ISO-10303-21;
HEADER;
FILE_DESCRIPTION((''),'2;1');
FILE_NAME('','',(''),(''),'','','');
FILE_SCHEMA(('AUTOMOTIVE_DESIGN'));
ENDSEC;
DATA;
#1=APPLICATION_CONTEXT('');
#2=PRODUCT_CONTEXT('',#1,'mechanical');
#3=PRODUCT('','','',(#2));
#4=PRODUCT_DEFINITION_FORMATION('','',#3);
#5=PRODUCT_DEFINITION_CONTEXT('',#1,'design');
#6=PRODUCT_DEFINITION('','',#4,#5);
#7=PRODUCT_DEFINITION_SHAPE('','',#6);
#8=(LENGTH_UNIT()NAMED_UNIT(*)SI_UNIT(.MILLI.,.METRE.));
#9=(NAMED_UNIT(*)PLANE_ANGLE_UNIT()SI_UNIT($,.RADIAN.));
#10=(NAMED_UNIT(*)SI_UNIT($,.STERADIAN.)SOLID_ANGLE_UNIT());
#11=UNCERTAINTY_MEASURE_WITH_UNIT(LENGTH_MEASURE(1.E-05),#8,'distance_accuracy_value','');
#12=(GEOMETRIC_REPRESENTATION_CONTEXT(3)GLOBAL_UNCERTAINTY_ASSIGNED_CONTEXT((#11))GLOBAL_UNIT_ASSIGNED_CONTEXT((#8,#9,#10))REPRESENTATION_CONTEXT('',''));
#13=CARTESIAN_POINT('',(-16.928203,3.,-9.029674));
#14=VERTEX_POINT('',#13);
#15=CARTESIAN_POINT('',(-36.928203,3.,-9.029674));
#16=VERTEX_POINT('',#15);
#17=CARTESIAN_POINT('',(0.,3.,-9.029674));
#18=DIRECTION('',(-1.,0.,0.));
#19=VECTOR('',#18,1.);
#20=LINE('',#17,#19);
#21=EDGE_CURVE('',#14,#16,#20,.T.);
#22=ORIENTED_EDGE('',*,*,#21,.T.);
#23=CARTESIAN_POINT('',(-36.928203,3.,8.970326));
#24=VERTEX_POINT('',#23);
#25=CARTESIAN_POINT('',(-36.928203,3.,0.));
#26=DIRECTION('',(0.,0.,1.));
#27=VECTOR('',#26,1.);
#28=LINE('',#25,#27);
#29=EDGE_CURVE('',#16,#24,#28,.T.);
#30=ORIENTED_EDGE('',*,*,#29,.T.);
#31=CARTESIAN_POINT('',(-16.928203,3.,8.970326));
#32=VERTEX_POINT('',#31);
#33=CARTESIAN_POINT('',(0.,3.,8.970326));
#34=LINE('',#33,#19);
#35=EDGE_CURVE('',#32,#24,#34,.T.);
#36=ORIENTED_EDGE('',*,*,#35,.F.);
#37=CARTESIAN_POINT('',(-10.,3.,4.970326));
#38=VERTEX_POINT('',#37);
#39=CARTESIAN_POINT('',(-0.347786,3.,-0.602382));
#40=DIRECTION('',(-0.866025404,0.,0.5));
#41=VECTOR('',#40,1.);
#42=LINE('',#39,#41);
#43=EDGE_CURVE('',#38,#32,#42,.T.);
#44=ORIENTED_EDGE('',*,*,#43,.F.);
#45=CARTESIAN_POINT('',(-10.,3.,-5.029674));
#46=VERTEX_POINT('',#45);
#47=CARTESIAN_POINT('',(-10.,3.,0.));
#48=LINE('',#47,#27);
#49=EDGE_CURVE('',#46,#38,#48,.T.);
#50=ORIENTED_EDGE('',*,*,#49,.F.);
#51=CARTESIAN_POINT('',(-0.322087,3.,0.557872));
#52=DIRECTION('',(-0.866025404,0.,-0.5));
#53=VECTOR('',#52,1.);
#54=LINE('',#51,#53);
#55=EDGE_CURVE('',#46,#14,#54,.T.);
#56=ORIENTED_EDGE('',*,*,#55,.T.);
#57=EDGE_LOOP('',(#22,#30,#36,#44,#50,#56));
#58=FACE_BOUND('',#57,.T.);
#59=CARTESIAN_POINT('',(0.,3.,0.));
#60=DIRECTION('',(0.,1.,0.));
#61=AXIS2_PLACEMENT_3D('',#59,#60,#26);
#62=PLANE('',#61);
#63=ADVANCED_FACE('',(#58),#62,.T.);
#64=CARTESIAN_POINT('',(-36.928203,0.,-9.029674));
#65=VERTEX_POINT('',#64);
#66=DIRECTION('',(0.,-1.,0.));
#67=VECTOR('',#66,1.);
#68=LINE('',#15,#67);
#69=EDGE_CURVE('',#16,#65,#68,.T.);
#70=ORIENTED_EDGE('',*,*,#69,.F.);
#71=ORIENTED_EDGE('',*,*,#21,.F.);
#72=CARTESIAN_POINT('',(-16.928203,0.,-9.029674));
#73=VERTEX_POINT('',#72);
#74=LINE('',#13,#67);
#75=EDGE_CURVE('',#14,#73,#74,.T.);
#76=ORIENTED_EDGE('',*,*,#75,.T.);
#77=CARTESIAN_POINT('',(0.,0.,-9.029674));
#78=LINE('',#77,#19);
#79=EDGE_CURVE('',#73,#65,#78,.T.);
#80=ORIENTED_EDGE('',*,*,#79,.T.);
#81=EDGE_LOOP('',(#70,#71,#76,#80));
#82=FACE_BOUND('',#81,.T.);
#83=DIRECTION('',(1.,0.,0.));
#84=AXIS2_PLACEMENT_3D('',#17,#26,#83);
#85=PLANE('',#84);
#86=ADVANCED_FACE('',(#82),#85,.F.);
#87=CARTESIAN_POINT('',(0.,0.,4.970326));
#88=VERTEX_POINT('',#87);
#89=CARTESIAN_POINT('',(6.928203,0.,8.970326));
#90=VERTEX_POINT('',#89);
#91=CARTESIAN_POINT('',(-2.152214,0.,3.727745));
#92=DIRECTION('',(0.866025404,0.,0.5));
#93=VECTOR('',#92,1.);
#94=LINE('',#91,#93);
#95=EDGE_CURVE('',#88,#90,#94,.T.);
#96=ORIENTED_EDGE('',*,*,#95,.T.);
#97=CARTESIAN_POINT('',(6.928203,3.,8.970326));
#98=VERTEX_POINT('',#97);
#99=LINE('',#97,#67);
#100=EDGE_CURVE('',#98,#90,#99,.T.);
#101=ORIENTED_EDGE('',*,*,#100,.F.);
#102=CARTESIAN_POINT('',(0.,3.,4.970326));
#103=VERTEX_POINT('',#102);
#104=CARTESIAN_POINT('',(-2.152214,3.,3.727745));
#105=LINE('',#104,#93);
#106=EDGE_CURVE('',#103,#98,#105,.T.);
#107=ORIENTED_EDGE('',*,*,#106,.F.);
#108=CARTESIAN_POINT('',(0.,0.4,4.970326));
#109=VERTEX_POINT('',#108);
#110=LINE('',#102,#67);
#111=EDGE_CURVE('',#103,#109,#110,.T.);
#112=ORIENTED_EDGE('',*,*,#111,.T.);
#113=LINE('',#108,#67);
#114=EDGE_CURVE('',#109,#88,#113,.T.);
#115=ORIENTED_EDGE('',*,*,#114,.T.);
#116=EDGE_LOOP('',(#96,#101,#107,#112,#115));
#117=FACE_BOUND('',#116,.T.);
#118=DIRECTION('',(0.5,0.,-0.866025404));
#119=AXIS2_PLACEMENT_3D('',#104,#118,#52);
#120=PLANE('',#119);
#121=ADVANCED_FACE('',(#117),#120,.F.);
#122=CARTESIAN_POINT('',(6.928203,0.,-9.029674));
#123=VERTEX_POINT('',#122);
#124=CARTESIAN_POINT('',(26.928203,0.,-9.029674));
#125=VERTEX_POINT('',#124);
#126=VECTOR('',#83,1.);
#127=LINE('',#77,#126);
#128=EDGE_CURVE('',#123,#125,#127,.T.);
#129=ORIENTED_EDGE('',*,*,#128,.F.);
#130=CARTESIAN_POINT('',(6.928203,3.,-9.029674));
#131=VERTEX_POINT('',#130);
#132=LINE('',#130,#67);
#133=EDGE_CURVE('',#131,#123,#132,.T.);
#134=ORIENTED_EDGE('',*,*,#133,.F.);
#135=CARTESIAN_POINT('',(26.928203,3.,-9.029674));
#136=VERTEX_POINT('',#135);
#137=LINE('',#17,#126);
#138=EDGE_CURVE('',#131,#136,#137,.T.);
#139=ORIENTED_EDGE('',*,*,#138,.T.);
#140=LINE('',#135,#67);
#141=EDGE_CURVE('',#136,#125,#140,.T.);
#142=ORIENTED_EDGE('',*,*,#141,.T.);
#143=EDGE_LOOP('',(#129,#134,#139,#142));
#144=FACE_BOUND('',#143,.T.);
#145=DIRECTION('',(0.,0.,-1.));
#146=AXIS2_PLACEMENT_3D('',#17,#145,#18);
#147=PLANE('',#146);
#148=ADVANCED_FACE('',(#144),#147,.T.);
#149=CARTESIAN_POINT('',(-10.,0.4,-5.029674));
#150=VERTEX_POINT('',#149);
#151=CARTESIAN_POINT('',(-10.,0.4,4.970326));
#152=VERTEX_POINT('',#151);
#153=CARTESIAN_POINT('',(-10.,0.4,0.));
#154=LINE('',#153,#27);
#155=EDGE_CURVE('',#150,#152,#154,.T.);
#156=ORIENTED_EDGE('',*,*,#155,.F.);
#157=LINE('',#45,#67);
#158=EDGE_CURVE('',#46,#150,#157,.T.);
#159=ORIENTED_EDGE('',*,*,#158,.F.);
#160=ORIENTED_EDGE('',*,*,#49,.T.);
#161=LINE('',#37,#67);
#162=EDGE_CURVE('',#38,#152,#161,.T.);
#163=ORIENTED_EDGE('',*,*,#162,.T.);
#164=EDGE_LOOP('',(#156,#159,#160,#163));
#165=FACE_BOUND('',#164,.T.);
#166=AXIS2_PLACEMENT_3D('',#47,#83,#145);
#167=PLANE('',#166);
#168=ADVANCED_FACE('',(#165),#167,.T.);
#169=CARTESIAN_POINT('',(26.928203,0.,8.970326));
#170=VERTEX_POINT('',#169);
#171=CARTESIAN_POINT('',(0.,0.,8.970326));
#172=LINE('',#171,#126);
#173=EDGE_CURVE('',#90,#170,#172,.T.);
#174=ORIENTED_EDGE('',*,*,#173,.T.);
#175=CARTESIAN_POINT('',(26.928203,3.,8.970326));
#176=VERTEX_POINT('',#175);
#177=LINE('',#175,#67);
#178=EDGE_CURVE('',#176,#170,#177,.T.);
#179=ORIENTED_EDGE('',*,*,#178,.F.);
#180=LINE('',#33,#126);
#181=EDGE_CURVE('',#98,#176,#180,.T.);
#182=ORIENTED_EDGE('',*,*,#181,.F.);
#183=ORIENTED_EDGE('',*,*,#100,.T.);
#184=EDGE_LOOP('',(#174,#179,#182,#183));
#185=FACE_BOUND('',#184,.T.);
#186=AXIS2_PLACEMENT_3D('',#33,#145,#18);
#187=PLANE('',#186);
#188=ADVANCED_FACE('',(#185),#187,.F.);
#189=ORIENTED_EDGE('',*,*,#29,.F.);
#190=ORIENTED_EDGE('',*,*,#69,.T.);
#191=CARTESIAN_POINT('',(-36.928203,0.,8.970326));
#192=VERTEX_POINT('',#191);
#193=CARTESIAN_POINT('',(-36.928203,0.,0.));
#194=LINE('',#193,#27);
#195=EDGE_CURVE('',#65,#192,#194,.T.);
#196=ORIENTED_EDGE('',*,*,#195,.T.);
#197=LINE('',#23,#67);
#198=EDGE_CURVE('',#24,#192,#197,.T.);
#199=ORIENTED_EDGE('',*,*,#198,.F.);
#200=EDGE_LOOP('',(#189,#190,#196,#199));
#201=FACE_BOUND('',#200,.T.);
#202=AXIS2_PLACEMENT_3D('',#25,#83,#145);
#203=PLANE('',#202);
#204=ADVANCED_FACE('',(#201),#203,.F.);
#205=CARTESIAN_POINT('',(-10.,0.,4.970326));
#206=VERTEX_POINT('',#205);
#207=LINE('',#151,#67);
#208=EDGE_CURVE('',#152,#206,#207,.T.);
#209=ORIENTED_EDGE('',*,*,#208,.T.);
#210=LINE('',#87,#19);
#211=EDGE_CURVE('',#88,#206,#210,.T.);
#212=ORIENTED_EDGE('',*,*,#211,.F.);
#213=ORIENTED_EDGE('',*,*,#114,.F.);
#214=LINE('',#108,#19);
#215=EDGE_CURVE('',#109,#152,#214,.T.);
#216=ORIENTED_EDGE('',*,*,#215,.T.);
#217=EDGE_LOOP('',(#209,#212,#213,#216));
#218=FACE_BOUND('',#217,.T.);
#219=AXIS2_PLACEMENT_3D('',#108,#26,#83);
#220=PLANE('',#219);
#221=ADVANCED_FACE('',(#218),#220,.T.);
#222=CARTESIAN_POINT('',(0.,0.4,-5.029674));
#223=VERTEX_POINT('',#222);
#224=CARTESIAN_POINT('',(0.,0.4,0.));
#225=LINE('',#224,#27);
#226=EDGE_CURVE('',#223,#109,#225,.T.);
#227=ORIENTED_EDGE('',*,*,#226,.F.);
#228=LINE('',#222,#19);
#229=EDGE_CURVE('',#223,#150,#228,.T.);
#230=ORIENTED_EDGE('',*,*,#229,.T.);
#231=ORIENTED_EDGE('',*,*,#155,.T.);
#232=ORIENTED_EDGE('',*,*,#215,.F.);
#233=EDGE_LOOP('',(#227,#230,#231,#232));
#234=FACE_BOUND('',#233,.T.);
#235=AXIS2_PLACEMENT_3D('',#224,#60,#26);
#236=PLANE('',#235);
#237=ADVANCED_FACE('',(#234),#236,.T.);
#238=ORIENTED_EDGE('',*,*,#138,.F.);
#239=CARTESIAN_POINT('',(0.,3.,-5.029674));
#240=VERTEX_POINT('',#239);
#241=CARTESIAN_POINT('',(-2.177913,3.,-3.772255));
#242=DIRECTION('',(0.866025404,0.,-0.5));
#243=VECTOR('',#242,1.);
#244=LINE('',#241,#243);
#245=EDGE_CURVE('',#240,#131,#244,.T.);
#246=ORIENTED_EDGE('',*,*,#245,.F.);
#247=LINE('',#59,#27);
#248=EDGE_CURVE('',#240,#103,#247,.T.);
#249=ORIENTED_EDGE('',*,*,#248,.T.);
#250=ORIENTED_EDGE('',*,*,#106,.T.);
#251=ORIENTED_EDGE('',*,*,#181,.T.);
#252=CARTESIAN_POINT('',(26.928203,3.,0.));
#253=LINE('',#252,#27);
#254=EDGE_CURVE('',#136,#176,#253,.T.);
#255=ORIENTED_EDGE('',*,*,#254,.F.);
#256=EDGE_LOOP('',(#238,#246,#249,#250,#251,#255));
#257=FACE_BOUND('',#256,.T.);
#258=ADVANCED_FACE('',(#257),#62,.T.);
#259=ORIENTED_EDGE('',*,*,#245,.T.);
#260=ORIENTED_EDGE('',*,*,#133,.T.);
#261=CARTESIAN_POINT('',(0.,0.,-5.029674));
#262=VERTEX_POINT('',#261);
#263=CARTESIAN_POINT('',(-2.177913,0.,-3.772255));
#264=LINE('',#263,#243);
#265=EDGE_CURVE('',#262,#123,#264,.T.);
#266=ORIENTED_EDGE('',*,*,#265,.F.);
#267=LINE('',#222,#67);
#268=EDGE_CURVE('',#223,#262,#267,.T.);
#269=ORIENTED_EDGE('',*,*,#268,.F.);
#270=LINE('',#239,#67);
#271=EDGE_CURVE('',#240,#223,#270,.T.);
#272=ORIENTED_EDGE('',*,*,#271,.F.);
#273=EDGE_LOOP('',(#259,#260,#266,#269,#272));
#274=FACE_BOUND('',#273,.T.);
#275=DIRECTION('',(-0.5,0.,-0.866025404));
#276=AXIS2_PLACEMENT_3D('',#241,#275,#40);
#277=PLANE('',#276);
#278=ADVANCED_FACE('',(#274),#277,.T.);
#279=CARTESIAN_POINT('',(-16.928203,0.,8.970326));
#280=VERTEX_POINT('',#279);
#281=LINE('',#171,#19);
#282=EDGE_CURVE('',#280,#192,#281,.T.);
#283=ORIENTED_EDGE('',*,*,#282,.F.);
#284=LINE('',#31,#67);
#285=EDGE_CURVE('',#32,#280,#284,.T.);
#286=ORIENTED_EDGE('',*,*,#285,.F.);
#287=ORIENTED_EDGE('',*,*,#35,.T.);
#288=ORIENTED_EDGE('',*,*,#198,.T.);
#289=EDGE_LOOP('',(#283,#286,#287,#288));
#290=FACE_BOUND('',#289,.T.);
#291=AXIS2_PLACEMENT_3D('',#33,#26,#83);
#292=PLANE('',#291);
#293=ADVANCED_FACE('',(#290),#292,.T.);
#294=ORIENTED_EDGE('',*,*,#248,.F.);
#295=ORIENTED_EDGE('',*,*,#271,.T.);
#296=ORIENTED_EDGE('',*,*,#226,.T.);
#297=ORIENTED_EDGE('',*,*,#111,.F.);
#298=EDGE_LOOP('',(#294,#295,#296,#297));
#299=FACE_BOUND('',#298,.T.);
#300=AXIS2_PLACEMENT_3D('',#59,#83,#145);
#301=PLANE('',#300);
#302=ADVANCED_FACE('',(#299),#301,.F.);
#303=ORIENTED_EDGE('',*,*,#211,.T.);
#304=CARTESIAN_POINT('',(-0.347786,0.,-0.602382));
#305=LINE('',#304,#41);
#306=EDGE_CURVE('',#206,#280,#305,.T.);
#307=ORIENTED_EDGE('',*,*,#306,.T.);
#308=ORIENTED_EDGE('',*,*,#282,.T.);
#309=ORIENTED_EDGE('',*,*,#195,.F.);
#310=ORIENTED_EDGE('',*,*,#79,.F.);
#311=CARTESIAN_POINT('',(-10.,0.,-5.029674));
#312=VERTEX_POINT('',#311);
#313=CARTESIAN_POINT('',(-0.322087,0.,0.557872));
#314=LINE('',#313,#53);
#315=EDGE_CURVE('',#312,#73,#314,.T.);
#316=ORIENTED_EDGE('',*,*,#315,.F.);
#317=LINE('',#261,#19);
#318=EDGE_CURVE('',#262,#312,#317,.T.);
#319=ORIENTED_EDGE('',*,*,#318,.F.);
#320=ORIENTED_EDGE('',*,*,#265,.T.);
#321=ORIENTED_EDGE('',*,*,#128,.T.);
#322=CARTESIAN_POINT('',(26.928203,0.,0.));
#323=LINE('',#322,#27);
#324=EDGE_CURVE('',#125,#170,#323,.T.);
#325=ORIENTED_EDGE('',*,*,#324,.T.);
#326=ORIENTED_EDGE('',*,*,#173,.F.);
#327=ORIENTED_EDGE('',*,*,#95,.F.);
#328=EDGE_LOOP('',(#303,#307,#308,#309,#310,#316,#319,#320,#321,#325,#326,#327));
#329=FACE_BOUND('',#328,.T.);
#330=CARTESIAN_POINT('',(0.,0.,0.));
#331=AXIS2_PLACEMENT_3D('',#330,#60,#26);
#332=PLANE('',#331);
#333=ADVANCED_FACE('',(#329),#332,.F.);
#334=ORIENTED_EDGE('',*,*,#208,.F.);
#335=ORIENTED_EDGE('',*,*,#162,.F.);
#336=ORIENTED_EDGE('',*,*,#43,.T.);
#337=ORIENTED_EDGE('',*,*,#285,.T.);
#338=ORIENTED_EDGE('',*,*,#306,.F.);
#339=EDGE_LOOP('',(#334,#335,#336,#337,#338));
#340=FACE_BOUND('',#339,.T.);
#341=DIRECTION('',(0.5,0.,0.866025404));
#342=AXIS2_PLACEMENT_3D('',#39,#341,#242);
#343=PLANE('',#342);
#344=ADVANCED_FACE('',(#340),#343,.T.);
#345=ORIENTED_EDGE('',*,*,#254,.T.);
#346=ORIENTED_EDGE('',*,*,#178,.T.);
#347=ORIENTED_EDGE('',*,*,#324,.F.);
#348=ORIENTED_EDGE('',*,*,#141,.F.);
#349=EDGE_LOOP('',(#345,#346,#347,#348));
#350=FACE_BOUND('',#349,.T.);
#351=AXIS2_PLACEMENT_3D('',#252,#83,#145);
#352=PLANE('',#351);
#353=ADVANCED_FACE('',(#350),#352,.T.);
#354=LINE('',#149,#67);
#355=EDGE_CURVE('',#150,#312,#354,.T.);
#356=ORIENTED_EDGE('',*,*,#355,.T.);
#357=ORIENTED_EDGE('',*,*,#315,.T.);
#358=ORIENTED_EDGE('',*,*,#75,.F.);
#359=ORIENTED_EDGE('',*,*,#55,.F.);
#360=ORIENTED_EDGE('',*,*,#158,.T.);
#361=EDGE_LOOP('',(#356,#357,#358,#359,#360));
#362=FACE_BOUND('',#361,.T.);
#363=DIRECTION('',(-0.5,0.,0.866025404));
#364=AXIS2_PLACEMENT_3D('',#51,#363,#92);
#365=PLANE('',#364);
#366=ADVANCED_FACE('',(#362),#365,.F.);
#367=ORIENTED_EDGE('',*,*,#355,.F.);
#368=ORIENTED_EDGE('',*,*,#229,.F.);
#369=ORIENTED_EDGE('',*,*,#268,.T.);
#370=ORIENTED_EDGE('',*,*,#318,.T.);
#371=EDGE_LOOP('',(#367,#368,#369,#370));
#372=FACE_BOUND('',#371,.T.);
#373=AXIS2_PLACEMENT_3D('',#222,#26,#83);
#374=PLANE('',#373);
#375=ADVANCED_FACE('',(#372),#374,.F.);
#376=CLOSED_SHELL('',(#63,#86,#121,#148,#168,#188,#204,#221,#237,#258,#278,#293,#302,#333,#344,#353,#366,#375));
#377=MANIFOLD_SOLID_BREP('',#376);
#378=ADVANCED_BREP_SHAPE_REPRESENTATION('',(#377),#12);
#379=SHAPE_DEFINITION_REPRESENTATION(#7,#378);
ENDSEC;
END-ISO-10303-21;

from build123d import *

# Parameters (mm, degrees)
BOSS_EXTRUDE1_DEPTH   = 3
BOSS_EXTRUDE1_2_DEPTH = 3
SKETCH1_3_W           = 10
SKETCH1_3_H           = 10
BOSS_EXTRUDE2_DEPTH   = 0.4


with BuildPart() as part:
    # Sketch1 → Boss-Extrude1 (new body)
    with BuildSketch(Plane(origin=(0, 0, 0), x_dir=(1, 0, 0), z_dir=(0, 1, 0))):
        Polygon((6.92820323, 9.029673591), (0, 5.029673591), (0, -4.970326409), (6.92820323, -8.970326409), (26.92820323, -8.970326409), (26.92820323, 9.029673591), align=None)
    extrude(amount=BOSS_EXTRUDE1_DEPTH)



with BuildPart() as body_2:
    # Sketch1 → Boss-Extrude1 2 (new body)
    with BuildSketch(Plane(origin=(0, 0, 0), x_dir=(1, 0, 0), z_dir=(0, 1, 0))):
        Polygon((-10, -4.970326409), (-10, 5.029673591), (-16.92820323, 9.029673591), (-36.92820323, 9.029673591), (-36.92820323, -8.970326409), (-16.92820323, -8.970326409), align=None)
    extrude(amount=BOSS_EXTRUDE1_2_DEPTH)


with BuildPart() as part_1:
    add(part.part)

    add(body_2.part)  # Boss-Extrude2 merges body 2
    # Sketch1<3> → Boss-Extrude2 (add)
    with BuildSketch(Plane(origin=(0, 0, 0), x_dir=(1, 0, 0), z_dir=(0, 1, 0))):
        with Locations((-5, 0.029673591)):
            Rectangle(SKETCH1_3_W, SKETCH1_3_H)
    extrude(amount=BOSS_EXTRUDE2_DEPTH)


solid = part_1.part
